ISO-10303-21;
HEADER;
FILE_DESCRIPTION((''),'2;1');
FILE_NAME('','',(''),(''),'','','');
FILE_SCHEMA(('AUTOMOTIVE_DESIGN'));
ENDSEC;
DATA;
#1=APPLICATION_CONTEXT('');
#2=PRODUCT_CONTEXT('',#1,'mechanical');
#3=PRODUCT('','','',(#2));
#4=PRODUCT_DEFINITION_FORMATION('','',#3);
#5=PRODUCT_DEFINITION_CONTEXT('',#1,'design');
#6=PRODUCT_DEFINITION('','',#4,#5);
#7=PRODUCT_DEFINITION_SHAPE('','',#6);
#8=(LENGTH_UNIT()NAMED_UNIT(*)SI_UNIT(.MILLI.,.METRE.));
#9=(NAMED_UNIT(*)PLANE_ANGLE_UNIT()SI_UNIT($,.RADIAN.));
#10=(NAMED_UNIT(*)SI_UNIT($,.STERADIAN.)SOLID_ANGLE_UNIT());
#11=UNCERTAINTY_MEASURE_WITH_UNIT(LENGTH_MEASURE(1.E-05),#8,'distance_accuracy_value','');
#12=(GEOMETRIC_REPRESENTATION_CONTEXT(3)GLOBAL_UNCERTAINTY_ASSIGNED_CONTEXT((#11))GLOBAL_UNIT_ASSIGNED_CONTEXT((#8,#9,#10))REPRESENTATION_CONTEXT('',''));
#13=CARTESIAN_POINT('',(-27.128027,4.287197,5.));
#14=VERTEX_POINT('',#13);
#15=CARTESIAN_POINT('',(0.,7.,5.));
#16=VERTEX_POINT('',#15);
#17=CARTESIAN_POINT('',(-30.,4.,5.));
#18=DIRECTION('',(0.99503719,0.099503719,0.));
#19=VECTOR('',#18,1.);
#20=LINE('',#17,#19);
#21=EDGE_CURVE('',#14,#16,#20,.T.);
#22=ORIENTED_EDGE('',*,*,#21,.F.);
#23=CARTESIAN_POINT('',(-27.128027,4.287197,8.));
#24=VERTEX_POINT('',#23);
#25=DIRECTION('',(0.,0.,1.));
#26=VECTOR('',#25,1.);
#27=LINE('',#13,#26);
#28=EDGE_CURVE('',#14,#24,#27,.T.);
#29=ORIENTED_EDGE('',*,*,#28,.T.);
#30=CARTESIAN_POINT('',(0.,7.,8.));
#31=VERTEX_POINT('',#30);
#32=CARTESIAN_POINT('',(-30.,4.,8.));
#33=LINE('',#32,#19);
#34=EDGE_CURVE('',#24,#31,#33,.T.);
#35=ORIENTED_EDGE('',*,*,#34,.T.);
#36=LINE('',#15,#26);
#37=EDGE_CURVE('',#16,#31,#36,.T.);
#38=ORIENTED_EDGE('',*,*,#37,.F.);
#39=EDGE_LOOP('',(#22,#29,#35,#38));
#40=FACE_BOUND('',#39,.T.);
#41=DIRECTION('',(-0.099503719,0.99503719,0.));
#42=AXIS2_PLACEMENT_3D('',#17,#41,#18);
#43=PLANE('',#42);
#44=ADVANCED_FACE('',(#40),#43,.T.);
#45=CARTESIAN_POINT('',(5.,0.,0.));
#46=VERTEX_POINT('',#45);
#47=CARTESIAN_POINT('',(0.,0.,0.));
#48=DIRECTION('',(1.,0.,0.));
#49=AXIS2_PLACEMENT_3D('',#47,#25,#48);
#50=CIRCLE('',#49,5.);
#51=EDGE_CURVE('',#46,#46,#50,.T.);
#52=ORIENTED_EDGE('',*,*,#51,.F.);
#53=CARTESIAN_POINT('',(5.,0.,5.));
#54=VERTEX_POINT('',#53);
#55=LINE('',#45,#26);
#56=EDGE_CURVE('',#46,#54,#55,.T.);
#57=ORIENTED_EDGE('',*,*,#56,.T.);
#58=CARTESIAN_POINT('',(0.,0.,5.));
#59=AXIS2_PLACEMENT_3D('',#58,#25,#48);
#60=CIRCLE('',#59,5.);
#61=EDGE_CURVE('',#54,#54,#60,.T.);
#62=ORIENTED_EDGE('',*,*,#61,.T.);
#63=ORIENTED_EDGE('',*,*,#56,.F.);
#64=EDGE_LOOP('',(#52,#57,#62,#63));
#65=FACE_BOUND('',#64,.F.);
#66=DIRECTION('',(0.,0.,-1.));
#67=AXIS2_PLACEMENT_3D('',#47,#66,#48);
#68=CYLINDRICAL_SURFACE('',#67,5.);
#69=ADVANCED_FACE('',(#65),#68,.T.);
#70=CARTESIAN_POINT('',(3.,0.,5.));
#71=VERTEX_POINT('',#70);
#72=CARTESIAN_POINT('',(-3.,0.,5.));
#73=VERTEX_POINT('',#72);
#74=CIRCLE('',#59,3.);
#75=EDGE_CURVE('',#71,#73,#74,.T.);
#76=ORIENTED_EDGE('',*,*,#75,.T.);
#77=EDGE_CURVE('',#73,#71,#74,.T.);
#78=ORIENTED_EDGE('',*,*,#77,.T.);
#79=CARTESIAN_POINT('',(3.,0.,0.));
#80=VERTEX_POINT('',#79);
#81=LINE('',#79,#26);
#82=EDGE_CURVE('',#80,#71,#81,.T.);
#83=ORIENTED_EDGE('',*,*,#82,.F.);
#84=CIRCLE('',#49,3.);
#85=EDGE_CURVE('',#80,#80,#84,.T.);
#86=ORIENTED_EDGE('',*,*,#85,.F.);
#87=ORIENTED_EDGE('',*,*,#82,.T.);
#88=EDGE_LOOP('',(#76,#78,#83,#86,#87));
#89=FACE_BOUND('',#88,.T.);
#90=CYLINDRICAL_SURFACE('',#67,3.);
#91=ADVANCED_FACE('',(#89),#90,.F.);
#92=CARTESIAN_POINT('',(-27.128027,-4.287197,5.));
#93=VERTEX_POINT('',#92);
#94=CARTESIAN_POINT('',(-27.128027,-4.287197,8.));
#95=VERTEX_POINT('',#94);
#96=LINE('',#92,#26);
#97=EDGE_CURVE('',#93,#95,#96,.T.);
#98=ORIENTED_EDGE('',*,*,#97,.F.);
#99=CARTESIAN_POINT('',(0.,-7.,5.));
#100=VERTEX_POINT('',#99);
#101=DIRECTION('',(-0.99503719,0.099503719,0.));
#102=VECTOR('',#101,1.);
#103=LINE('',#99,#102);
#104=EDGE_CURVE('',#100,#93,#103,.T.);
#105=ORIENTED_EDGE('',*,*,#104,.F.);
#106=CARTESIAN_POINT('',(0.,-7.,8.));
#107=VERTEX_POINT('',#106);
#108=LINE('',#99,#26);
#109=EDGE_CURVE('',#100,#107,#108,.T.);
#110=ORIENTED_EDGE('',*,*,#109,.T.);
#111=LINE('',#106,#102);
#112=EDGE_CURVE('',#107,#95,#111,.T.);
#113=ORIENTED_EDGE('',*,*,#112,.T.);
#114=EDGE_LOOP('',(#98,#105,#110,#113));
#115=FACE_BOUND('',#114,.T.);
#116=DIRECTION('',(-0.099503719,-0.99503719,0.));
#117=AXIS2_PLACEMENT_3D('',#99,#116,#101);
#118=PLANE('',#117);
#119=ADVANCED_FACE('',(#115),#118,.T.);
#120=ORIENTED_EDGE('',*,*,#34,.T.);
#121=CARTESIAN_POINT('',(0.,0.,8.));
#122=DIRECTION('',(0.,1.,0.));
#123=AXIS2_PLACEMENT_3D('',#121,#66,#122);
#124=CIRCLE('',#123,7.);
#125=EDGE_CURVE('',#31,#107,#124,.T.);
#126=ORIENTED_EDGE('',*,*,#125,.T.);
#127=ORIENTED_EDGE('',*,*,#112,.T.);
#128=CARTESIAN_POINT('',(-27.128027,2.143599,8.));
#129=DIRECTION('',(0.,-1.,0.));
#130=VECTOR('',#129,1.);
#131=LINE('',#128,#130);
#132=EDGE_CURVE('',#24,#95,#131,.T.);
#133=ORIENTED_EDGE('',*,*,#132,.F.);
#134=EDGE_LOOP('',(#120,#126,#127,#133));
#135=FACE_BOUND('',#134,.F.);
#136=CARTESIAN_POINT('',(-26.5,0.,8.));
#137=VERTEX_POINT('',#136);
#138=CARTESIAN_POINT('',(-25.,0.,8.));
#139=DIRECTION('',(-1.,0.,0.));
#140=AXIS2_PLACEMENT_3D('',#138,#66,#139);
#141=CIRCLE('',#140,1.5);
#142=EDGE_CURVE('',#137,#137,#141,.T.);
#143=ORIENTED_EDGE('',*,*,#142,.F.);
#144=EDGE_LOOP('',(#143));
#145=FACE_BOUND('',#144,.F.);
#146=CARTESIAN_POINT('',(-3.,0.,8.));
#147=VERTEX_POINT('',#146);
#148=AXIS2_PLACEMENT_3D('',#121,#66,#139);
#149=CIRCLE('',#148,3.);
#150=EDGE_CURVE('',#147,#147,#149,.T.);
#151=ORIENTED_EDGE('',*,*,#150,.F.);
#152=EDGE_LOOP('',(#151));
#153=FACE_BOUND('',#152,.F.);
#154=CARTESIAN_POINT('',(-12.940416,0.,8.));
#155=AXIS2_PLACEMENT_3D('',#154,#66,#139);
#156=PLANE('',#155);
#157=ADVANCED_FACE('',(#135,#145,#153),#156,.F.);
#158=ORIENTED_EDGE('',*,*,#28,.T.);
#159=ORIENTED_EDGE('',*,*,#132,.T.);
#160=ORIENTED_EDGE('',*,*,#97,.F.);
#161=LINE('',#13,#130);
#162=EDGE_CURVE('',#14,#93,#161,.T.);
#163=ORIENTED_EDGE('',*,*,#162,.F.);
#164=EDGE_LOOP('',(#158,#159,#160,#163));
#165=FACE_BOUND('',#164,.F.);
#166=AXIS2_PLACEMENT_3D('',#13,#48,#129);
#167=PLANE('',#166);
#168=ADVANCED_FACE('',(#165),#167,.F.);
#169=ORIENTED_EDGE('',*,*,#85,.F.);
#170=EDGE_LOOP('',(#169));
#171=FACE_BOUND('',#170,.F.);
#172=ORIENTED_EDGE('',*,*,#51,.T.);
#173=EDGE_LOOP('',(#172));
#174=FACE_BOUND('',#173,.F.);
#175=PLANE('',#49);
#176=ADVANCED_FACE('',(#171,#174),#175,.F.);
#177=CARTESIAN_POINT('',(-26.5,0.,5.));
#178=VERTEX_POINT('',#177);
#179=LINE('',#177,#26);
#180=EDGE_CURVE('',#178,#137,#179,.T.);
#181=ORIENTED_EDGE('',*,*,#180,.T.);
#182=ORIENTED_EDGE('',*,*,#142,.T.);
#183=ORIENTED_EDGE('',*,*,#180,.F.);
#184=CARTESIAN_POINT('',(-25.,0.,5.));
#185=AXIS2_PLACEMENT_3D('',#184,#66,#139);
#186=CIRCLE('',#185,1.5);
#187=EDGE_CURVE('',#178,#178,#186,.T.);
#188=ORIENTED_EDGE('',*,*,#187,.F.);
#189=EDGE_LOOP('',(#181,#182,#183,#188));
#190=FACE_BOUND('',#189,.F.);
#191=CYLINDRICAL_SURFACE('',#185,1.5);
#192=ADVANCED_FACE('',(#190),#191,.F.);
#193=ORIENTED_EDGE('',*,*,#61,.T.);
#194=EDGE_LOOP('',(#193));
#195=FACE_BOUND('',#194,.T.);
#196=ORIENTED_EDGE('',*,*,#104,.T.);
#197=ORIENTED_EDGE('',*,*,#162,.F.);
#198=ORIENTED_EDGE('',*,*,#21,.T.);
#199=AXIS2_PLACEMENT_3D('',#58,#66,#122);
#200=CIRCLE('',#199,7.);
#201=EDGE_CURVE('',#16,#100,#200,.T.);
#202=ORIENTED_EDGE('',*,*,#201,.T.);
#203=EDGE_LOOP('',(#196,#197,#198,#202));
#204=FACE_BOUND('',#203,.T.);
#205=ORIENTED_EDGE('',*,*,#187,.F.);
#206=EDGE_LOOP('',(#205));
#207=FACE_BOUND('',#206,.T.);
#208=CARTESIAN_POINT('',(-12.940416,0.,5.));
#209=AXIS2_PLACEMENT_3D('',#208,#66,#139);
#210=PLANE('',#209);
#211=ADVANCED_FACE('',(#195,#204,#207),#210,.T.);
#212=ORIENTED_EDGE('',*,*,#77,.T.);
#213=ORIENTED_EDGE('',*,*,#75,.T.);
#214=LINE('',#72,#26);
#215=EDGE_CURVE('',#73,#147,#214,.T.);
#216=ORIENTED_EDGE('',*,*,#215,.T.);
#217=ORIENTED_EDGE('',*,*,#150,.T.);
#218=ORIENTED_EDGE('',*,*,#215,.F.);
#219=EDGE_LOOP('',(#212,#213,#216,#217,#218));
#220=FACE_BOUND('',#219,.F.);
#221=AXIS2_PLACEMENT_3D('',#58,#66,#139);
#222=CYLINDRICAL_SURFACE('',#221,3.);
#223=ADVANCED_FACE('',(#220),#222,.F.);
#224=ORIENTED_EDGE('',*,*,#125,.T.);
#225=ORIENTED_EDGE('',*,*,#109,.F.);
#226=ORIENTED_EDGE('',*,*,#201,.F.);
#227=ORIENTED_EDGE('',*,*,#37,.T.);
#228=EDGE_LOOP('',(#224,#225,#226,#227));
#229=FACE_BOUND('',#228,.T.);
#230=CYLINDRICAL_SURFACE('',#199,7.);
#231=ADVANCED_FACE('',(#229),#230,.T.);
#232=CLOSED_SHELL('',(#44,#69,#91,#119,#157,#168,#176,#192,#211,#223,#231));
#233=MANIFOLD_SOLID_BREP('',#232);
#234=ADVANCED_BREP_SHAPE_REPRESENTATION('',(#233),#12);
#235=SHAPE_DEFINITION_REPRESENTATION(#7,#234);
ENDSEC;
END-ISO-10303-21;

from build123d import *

# Parameters (mm, degrees)
SKETCH1_R           = 5
SKETCH1_R_2         = 3
BOSS_EXTRUDE1_DEPTH = 5
BOSS_EXTRUDE2_DEPTH = 3
SKETCH3_R           = 1.5
CUT_EXTRUDE1_DEPTH  = 3
SKETCH4_R           = 3
CUT_EXTRUDE2_DEPTH  = 3
CUT_EXTRUDE3_DEPTH  = 10


with BuildPart() as part:
    # Sketch1 → Boss-Extrude1 (new body)
    with BuildSketch(Plane.XY):
        Circle(SKETCH1_R)
        Circle(SKETCH1_R_2, mode=Mode.SUBTRACT)
    extrude(amount=BOSS_EXTRUDE1_DEPTH)

    # Sketch2 → Boss-Extrude2 (add)
    with BuildSketch(Plane.XY.offset(5)):
        with BuildLine():
            Line((-30, 4), (0, 7))
            ThreePointArc((0, 7), (7, 0), (0, -7))
            Line((0, -7), (-30, -4))
            ThreePointArc((-30, -4), (-34, 0), (-30, 4))
        make_face()
    extrude(amount=BOSS_EXTRUDE2_DEPTH)

    # Sketch3 → Cut-Extrude1 (cut)
    with BuildSketch(Plane(origin=(0, 0, 5), x_dir=(-1, 0, 0), z_dir=(0, 0, -1))):
        with Locations((25, 0)):
            Circle(SKETCH3_R)
    extrude(amount=-CUT_EXTRUDE1_DEPTH, mode=Mode.SUBTRACT)

    # Sketch4 → Cut-Extrude2 (cut)
    with BuildSketch(Plane(origin=(0, 0, 5), x_dir=(-1, 0, 0), z_dir=(0, 0, -1))):
        Circle(SKETCH4_R)
    extrude(amount=-CUT_EXTRUDE2_DEPTH, mode=Mode.SUBTRACT)

    # Sketch5 → Cut-Extrude3 (cut)
    with BuildSketch(Plane(origin=(0, 0, 5), x_dir=(-1, 0, 0), z_dir=(0, 0, -1))):
        with BuildLine():
            Line((27.128027058, 4.287197294), (27.128027058, 0))
            Line((27.128027058, 0), (27.128027058, -4.287197294))
            Line((27.128027058, -4.287197294), (30, -4))
            ThreePointArc((30, -4), (34, 0), (30, 4))
            Line((30, 4), (27.128027058, 4.287197294))
        make_face()
    extrude(amount=-CUT_EXTRUDE3_DEPTH, mode=Mode.SUBTRACT)


solid = part.part
